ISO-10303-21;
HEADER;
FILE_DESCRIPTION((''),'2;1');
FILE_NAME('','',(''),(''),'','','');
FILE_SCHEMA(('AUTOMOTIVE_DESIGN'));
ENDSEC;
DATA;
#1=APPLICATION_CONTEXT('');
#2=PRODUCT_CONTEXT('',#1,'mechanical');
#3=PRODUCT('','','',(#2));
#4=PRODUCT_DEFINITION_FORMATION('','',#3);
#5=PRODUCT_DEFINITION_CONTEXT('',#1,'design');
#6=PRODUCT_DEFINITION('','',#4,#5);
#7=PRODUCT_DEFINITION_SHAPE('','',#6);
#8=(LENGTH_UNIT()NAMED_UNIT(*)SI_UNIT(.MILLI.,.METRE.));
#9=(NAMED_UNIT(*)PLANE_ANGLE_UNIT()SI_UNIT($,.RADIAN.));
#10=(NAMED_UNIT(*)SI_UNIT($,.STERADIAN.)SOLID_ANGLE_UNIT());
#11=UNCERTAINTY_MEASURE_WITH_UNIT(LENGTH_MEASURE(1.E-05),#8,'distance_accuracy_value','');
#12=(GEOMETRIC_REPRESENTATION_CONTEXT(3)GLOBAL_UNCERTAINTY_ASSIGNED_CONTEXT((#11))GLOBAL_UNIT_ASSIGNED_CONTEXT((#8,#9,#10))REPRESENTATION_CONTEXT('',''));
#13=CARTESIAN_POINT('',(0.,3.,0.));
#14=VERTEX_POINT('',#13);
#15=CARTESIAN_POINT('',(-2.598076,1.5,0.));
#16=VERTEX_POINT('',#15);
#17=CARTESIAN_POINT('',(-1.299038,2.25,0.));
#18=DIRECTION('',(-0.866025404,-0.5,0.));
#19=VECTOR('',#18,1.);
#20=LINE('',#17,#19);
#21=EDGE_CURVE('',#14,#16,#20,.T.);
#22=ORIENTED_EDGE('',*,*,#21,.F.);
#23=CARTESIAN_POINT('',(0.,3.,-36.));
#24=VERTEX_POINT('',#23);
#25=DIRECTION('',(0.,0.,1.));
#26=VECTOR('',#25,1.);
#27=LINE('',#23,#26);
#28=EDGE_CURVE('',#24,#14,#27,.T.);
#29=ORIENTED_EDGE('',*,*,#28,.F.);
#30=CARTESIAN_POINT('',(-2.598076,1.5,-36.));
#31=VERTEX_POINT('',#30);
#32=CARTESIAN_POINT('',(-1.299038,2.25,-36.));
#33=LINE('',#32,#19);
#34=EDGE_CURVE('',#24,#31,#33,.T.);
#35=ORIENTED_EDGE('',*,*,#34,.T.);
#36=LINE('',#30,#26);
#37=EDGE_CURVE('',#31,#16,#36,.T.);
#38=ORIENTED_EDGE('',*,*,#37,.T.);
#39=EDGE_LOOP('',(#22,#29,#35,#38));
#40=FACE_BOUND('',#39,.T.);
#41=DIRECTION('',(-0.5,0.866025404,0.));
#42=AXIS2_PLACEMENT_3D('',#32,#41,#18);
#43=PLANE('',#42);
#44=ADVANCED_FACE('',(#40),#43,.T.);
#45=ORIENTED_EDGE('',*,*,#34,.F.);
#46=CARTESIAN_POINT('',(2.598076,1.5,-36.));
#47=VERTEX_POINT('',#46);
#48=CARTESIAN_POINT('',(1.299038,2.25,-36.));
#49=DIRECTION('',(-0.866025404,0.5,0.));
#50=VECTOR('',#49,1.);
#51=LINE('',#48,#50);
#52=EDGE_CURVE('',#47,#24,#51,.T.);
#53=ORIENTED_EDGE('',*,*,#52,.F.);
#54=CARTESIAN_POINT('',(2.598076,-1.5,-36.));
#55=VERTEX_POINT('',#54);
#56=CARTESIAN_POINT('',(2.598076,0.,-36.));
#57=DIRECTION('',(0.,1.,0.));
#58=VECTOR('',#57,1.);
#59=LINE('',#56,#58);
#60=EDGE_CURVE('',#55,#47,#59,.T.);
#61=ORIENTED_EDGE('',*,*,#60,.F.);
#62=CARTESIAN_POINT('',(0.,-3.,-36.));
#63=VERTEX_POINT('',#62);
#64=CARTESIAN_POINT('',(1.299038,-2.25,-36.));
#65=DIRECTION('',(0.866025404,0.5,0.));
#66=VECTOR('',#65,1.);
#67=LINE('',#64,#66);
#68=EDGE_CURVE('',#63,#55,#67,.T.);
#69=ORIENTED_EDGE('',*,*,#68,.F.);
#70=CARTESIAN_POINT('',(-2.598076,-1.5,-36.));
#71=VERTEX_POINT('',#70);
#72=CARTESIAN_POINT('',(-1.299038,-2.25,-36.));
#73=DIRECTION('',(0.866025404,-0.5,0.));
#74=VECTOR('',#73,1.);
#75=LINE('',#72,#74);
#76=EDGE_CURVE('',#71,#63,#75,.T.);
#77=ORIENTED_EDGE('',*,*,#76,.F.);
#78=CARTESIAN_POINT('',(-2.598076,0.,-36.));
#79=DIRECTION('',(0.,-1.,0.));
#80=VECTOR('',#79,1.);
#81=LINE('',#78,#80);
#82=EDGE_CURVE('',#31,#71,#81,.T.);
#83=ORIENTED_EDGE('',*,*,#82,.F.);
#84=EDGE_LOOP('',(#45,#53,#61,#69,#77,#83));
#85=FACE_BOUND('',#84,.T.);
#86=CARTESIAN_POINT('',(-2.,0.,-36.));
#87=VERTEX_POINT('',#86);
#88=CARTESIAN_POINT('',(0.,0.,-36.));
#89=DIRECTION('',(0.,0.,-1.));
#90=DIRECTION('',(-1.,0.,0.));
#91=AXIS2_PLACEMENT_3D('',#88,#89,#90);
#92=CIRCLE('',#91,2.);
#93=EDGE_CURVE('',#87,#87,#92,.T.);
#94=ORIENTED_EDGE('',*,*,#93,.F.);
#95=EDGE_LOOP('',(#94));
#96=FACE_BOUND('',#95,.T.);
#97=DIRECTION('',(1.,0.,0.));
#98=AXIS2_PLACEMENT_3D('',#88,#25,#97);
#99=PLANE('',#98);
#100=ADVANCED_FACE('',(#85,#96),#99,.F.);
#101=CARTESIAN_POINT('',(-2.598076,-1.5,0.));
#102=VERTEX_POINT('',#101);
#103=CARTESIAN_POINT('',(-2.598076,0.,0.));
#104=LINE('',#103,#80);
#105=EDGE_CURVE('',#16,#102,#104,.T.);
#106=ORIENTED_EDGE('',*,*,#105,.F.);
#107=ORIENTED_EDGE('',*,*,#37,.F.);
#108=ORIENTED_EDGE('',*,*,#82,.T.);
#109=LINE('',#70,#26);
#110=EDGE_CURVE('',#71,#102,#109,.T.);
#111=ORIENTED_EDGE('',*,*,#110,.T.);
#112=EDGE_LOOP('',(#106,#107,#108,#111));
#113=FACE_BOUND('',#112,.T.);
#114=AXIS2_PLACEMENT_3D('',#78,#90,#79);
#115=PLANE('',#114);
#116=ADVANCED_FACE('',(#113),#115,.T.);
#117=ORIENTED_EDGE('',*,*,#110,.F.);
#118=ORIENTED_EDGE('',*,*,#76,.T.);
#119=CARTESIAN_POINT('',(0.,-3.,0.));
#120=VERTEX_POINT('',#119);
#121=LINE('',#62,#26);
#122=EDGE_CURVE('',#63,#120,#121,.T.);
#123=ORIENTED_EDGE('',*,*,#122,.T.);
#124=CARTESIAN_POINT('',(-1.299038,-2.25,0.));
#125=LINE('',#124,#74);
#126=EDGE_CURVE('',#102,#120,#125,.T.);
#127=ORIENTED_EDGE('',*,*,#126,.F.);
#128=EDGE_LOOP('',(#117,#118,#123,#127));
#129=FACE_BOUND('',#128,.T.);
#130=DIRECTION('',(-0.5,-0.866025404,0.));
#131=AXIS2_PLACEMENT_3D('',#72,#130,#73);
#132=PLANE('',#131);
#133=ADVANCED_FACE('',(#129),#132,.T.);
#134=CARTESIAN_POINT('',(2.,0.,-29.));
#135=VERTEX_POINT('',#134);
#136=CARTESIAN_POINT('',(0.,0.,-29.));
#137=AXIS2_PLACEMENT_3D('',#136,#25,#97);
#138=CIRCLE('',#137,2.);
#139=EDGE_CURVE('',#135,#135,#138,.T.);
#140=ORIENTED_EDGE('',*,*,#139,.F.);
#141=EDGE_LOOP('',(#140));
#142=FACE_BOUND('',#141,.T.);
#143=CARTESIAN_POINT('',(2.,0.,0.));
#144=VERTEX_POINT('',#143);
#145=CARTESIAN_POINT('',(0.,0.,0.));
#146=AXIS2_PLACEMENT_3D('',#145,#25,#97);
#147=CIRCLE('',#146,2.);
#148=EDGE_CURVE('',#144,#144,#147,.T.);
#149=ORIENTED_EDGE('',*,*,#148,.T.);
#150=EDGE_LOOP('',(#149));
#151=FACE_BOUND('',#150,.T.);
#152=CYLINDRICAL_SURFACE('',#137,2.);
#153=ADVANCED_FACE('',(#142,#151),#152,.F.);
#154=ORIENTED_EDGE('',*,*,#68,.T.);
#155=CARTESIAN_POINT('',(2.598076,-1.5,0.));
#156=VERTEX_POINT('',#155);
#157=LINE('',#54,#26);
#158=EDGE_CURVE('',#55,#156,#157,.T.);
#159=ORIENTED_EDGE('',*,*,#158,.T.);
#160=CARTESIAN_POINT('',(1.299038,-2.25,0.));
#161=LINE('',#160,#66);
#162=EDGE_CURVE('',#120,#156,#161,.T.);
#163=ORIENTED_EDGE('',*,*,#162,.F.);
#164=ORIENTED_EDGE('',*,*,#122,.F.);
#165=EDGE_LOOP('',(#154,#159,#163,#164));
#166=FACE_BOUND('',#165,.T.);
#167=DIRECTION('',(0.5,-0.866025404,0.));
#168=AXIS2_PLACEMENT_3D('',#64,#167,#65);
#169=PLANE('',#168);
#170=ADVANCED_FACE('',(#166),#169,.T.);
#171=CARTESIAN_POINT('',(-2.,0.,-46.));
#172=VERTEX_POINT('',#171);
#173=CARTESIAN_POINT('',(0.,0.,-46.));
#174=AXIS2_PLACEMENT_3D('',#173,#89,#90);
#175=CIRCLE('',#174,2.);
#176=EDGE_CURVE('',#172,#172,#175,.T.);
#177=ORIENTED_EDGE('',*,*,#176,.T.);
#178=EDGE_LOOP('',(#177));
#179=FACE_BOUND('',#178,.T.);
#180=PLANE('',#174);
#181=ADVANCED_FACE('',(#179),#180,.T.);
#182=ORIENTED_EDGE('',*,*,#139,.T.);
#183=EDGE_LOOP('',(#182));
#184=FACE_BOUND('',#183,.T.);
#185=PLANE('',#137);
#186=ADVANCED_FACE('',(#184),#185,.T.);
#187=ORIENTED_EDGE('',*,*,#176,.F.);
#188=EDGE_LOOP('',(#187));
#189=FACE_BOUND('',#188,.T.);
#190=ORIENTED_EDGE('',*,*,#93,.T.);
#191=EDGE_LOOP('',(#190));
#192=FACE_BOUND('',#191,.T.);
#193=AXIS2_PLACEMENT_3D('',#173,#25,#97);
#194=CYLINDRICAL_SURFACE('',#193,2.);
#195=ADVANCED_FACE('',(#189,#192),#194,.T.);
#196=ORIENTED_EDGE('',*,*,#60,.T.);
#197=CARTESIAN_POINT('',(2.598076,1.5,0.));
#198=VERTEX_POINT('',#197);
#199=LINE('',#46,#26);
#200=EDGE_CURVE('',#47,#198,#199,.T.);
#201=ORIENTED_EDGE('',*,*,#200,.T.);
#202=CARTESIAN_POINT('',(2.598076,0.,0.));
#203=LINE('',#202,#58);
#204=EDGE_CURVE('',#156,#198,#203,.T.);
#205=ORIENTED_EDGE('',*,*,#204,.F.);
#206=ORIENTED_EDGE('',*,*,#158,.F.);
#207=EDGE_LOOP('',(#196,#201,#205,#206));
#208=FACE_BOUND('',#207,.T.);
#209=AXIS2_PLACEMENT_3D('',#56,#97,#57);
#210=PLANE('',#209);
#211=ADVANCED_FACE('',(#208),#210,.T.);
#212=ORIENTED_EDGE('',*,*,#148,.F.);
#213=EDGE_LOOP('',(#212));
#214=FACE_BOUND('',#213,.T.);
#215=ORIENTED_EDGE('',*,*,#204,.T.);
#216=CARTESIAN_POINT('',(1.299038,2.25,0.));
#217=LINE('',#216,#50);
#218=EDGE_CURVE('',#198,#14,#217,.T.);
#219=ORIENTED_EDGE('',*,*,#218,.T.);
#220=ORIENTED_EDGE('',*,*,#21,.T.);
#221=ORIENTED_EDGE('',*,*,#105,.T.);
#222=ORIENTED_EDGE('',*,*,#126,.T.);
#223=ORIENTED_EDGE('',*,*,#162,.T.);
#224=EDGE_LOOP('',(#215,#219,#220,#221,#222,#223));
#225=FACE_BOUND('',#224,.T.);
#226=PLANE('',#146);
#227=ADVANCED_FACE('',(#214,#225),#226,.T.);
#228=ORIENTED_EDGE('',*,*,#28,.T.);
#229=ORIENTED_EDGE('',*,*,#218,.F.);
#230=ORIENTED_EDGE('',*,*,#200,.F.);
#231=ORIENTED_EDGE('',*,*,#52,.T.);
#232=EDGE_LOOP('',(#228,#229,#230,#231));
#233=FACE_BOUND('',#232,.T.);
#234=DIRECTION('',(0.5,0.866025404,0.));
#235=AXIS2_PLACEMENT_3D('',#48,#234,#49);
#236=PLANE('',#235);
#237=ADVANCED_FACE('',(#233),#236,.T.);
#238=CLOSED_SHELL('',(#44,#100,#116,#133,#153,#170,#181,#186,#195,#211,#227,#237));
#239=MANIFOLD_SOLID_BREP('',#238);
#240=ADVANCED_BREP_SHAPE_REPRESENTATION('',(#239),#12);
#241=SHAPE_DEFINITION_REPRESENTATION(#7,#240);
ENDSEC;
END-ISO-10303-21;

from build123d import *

# Parameters (mm, degrees)
BOSS_EXTRUDE1_DEPTH = 36
SKETCH2_R           = 2
CUT_EXTRUDE1_DEPTH  = 29
SKETCH3_R           = 2
BOSS_EXTRUDE2_DEPTH = 10


with BuildPart() as part:
    # Sketch1 → Boss-Extrude1 (new body)
    with BuildSketch(Plane.XY):
        Polygon((2.598076211, -1.5), (2.598076211, 1.5), (0, 3), (-2.598076211, 1.5), (-2.598076211, -1.5), (0, -3), align=None)
    extrude(amount=-BOSS_EXTRUDE1_DEPTH)

    # Sketch2 → Cut-Extrude1 (cut)
    with BuildSketch(Plane.XY):
        Circle(SKETCH2_R)
    extrude(amount=-CUT_EXTRUDE1_DEPTH, mode=Mode.SUBTRACT)

    # Sketch3 → Boss-Extrude2 (add)
    with BuildSketch(Plane(origin=(0, 0, -36), x_dir=(-1, 0, 0), z_dir=(0, 0, -1))):
        Circle(SKETCH3_R)
    extrude(amount=BOSS_EXTRUDE2_DEPTH)


solid = part.part
